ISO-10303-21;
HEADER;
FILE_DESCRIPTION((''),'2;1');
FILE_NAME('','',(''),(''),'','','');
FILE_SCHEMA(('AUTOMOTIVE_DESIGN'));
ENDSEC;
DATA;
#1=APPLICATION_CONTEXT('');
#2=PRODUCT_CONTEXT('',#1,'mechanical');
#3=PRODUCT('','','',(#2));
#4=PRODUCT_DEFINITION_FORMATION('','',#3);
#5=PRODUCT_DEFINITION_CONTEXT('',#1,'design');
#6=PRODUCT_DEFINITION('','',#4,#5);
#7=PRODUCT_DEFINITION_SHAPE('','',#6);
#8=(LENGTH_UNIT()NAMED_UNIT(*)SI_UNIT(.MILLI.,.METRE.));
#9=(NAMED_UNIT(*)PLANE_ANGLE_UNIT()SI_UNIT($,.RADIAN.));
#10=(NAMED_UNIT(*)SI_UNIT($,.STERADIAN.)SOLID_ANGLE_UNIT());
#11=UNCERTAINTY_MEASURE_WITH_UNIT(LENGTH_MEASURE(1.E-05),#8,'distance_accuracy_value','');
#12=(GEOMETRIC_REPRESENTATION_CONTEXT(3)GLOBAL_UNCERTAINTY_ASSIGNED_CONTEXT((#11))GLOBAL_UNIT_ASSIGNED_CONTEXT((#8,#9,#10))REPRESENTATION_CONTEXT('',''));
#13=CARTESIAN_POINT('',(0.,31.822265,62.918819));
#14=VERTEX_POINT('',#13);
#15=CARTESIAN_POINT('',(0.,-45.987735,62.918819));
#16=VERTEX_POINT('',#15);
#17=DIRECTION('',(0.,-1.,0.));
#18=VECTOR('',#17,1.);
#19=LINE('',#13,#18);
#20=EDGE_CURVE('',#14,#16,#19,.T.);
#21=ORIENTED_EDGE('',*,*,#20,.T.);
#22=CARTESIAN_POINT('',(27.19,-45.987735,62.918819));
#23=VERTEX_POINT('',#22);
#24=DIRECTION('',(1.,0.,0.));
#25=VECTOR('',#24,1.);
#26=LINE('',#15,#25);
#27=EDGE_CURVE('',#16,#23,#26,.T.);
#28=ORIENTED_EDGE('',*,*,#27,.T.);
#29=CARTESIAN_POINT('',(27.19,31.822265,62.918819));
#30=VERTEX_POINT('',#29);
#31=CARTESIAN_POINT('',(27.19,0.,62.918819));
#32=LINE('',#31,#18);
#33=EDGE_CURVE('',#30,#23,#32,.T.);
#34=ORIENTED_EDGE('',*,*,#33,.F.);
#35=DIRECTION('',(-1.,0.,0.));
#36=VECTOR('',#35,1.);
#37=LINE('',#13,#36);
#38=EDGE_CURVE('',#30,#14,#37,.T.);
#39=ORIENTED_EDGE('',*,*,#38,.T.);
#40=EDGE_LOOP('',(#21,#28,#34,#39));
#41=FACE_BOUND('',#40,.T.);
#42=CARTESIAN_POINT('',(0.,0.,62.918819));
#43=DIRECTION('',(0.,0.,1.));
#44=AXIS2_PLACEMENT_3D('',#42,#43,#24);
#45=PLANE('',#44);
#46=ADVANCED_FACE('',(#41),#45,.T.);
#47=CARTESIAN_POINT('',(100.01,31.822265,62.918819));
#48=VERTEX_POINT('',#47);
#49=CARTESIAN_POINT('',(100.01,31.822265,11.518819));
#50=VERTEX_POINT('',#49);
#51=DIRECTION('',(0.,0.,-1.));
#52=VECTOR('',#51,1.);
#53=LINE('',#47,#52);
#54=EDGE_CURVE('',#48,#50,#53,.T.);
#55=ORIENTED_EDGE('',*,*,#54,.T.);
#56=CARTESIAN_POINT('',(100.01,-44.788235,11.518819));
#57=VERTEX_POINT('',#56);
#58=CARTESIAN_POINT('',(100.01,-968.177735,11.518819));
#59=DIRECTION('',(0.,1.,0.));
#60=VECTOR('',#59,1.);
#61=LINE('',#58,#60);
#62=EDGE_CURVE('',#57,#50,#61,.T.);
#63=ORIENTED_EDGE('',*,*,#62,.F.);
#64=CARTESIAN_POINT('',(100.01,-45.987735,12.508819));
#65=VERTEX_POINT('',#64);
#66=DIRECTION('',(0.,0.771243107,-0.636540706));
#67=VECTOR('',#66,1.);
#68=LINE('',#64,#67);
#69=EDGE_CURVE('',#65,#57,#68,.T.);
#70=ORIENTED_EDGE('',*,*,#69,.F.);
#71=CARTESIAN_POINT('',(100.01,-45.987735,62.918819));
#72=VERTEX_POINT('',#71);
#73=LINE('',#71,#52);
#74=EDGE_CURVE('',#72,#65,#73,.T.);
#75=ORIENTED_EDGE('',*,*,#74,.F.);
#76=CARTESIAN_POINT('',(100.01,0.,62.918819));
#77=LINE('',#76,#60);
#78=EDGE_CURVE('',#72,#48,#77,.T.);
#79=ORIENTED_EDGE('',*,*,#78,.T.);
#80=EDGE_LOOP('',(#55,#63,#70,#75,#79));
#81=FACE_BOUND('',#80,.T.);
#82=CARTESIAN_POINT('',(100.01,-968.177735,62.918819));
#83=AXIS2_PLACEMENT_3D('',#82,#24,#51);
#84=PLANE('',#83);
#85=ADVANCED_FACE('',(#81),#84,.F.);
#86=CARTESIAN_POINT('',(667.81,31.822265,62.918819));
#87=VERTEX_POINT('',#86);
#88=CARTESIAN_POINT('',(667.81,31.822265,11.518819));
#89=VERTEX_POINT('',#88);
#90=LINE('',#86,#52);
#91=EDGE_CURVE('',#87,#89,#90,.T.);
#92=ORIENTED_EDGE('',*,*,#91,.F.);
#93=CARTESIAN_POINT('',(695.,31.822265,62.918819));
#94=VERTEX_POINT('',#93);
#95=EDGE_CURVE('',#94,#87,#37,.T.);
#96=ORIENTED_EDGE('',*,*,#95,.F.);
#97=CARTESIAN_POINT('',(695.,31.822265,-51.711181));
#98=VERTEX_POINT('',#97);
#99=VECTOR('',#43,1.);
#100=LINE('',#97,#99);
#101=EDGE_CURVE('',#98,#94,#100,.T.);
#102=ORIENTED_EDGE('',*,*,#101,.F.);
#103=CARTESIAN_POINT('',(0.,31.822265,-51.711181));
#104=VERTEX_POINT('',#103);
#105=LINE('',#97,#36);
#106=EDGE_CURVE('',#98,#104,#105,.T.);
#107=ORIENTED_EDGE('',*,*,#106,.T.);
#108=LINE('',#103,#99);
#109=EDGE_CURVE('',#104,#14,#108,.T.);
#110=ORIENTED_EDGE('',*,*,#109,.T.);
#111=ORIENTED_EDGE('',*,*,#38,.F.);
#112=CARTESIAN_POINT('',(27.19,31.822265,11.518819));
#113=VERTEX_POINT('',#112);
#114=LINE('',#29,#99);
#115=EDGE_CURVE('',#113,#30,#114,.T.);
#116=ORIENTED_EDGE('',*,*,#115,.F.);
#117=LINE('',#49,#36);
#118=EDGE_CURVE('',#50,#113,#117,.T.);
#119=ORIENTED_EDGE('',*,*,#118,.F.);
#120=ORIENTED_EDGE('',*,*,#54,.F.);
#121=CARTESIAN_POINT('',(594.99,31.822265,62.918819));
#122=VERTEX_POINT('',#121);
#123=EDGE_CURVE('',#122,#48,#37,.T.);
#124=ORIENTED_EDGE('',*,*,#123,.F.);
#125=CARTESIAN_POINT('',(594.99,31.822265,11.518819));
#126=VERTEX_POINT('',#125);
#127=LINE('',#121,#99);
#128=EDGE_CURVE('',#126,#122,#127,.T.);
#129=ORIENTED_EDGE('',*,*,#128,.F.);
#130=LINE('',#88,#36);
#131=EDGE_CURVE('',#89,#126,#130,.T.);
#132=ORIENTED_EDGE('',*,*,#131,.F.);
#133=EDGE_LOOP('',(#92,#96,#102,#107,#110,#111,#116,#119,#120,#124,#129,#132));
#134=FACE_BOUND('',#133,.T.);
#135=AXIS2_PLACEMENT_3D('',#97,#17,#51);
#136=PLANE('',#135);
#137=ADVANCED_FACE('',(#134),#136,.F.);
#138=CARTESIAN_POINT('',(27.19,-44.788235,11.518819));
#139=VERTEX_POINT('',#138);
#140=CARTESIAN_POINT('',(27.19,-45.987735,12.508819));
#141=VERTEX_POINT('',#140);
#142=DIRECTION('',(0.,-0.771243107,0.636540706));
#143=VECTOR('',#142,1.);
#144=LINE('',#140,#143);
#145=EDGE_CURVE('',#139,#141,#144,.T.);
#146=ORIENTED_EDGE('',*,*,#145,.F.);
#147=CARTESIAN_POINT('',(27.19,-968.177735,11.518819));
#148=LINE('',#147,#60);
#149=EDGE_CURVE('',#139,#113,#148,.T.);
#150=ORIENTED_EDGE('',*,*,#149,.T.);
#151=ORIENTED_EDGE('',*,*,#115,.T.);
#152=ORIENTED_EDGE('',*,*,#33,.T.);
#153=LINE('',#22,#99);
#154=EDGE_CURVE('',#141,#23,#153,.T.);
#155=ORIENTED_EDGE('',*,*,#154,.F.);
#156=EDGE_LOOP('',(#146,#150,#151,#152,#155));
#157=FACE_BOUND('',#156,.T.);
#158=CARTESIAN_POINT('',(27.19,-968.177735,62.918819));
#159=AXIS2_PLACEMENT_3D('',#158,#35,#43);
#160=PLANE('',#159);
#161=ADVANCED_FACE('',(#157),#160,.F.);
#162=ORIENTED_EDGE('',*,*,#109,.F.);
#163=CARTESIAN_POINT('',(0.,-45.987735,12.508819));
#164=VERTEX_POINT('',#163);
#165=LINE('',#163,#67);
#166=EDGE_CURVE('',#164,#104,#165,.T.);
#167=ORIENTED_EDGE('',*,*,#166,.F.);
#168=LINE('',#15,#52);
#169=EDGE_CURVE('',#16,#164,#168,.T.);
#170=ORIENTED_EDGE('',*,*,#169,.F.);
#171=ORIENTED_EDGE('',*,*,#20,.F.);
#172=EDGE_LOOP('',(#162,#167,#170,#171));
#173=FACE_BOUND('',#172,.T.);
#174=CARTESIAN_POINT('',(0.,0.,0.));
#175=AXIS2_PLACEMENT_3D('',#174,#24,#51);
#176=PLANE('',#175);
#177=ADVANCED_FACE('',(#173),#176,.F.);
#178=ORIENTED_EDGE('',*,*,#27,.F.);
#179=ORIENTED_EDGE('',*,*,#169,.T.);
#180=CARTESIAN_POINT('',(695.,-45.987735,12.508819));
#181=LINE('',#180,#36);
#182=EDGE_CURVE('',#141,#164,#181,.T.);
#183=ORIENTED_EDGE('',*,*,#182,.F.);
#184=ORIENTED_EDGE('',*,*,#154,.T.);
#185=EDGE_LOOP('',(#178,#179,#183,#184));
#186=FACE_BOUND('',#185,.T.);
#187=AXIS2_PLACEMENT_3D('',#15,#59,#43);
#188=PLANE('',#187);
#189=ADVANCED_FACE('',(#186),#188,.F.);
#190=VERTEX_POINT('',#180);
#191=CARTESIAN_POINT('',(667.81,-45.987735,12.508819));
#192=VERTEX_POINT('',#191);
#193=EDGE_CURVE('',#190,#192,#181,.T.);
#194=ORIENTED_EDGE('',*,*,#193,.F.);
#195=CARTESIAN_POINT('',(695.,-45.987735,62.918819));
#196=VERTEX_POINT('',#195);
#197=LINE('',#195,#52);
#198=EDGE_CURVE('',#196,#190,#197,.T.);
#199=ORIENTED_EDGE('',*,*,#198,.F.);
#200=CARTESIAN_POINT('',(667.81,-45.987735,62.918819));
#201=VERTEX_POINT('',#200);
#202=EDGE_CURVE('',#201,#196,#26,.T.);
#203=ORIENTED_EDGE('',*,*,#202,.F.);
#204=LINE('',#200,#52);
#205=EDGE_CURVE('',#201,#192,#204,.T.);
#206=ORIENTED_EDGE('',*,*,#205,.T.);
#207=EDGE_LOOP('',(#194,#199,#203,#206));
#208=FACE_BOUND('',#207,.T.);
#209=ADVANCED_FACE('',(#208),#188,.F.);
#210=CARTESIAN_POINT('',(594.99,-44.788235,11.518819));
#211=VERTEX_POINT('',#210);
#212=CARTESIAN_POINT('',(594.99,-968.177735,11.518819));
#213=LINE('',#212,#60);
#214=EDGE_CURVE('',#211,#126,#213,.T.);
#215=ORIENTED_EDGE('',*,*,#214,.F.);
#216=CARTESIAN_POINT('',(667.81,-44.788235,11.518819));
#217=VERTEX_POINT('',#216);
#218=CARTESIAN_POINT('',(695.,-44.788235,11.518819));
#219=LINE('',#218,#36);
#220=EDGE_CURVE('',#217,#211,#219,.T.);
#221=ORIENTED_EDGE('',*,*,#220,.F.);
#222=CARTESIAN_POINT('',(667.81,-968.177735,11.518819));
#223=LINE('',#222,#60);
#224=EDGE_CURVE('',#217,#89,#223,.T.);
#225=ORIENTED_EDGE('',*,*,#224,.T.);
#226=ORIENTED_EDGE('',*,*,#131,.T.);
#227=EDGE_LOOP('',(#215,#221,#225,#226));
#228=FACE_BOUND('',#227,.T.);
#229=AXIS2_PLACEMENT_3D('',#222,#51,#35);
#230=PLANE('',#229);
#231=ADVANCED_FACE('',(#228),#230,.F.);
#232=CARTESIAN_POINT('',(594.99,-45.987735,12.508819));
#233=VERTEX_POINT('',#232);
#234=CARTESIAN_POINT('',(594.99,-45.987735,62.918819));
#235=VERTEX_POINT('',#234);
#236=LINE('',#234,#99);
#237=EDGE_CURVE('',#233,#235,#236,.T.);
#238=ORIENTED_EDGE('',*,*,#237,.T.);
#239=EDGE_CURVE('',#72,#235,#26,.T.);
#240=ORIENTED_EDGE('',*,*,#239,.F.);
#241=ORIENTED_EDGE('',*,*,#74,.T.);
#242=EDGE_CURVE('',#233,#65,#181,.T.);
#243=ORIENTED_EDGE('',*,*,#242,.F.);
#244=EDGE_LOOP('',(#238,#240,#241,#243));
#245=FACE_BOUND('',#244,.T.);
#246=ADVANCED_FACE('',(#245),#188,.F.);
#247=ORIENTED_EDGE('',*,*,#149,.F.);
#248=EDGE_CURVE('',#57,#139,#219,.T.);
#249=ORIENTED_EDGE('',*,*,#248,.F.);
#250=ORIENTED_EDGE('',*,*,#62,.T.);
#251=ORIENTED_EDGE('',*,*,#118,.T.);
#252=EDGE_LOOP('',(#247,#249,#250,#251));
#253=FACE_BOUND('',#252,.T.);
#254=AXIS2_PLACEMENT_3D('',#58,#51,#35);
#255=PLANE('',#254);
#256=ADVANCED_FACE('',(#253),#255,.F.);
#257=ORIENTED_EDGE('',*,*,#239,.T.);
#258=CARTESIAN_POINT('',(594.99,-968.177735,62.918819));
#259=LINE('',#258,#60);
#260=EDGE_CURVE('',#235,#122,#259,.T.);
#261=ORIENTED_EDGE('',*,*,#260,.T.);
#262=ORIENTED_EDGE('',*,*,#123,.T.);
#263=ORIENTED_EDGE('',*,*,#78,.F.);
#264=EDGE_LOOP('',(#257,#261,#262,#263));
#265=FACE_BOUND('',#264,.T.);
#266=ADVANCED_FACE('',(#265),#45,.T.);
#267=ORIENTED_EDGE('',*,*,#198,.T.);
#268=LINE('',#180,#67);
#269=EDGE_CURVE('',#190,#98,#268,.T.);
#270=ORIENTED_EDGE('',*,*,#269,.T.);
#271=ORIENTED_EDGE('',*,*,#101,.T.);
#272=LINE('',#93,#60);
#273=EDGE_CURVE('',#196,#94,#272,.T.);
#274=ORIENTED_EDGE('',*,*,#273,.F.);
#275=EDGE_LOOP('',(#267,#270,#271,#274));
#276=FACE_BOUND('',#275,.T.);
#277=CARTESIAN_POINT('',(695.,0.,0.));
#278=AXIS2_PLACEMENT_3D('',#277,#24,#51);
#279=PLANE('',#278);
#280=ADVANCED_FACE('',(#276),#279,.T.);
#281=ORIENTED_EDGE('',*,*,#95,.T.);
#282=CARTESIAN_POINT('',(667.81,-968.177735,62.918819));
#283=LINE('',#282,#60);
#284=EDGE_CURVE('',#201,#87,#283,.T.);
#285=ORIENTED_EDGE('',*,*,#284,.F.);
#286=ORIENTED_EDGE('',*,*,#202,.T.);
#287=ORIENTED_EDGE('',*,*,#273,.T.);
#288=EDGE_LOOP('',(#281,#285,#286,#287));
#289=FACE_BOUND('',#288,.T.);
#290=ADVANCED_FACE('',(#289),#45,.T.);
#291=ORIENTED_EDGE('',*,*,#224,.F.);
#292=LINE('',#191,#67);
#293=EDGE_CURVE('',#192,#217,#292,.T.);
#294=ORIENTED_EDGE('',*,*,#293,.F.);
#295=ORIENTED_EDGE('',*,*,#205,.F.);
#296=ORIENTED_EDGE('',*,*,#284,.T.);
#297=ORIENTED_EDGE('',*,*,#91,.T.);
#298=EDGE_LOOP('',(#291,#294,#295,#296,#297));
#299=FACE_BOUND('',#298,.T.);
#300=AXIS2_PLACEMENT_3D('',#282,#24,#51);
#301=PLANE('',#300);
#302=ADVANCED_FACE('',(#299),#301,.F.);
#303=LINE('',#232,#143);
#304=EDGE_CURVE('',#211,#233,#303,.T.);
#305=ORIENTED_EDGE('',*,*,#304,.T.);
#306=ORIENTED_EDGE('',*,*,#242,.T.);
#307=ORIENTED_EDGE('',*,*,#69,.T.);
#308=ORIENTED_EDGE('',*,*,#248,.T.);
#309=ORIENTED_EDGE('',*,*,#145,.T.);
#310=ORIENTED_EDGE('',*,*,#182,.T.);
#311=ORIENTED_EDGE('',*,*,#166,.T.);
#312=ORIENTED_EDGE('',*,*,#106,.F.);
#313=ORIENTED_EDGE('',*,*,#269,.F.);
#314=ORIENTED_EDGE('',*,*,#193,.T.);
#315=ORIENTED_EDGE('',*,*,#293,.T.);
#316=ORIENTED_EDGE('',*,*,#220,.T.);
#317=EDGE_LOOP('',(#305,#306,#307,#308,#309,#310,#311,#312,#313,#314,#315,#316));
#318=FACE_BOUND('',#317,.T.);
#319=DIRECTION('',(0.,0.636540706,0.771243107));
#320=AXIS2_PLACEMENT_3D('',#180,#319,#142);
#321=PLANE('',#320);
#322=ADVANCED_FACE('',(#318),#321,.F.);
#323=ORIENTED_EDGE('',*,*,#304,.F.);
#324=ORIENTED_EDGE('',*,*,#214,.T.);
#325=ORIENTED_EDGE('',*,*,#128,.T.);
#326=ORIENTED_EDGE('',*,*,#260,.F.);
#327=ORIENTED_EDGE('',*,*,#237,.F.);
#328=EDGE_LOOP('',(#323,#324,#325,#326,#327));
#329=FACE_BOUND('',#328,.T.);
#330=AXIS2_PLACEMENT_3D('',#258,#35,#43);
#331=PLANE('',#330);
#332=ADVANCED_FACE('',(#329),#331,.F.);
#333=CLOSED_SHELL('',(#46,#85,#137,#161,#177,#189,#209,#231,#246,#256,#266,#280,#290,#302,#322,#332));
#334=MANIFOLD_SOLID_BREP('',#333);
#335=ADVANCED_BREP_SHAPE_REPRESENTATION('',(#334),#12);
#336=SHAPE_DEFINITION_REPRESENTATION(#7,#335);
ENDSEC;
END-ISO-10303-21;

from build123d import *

# Parameters (mm, degrees)
EXTRUDE_1_DEPTH     = 695
SKETCH_2_W          = 695
SKETCH_2_H          = 77.81
EXTRUDE_2_DEPTH     = 50.41
SKETCH_9_W          = 72.82
SKETCH_9_H          = 51.4
CUT_EXTRUDE_3_DEPTH = 1000
SKETCH_10_W         = 72.82
SKETCH_10_H         = 51.4
CUT_EXTRUDE_4_DEPTH = 1000


with BuildPart() as part:
    # 草图1 → 凸台-拉伸1 (new body)
    with BuildSketch(Plane(origin=(0, 0, 0), x_dir=(0, 0, -1), z_dir=(1, 0, 0))):
        Polygon((51.711180709, 31.822265051), (-12.508819291, 31.822265051), (-12.508819291, -45.987734949), align=None)
    extrude(amount=EXTRUDE_1_DEPTH)

    # 草图2 → 凸台-拉伸2 (add)
    with BuildSketch(Plane.XY.offset(12.508819291)):
        with Locations((347.5, -7.082734949)):
            Rectangle(SKETCH_2_W, SKETCH_2_H)
    extrude(amount=EXTRUDE_2_DEPTH)

    # 草图9 → 切除-拉伸3 (cut)
    with BuildSketch(Plane(origin=(0, 31.822265051, 0), x_dir=(1, 0, 0), z_dir=(0, 1, 0))):
        with Locations((63.6, -37.218819291)):
            Rectangle(SKETCH_9_W, SKETCH_9_H)
    extrude(amount=-CUT_EXTRUDE_3_DEPTH, mode=Mode.SUBTRACT)

    # 草图10 → 切除-拉伸4 (cut)
    with BuildSketch(Plane(origin=(0, 31.822265051, 0), x_dir=(1, 0, 0), z_dir=(0, 1, 0))):
        with Locations((631.4, -37.218819291)):
            Rectangle(SKETCH_10_W, SKETCH_10_H)
    extrude(amount=-CUT_EXTRUDE_4_DEPTH, mode=Mode.SUBTRACT)


solid = part.part
